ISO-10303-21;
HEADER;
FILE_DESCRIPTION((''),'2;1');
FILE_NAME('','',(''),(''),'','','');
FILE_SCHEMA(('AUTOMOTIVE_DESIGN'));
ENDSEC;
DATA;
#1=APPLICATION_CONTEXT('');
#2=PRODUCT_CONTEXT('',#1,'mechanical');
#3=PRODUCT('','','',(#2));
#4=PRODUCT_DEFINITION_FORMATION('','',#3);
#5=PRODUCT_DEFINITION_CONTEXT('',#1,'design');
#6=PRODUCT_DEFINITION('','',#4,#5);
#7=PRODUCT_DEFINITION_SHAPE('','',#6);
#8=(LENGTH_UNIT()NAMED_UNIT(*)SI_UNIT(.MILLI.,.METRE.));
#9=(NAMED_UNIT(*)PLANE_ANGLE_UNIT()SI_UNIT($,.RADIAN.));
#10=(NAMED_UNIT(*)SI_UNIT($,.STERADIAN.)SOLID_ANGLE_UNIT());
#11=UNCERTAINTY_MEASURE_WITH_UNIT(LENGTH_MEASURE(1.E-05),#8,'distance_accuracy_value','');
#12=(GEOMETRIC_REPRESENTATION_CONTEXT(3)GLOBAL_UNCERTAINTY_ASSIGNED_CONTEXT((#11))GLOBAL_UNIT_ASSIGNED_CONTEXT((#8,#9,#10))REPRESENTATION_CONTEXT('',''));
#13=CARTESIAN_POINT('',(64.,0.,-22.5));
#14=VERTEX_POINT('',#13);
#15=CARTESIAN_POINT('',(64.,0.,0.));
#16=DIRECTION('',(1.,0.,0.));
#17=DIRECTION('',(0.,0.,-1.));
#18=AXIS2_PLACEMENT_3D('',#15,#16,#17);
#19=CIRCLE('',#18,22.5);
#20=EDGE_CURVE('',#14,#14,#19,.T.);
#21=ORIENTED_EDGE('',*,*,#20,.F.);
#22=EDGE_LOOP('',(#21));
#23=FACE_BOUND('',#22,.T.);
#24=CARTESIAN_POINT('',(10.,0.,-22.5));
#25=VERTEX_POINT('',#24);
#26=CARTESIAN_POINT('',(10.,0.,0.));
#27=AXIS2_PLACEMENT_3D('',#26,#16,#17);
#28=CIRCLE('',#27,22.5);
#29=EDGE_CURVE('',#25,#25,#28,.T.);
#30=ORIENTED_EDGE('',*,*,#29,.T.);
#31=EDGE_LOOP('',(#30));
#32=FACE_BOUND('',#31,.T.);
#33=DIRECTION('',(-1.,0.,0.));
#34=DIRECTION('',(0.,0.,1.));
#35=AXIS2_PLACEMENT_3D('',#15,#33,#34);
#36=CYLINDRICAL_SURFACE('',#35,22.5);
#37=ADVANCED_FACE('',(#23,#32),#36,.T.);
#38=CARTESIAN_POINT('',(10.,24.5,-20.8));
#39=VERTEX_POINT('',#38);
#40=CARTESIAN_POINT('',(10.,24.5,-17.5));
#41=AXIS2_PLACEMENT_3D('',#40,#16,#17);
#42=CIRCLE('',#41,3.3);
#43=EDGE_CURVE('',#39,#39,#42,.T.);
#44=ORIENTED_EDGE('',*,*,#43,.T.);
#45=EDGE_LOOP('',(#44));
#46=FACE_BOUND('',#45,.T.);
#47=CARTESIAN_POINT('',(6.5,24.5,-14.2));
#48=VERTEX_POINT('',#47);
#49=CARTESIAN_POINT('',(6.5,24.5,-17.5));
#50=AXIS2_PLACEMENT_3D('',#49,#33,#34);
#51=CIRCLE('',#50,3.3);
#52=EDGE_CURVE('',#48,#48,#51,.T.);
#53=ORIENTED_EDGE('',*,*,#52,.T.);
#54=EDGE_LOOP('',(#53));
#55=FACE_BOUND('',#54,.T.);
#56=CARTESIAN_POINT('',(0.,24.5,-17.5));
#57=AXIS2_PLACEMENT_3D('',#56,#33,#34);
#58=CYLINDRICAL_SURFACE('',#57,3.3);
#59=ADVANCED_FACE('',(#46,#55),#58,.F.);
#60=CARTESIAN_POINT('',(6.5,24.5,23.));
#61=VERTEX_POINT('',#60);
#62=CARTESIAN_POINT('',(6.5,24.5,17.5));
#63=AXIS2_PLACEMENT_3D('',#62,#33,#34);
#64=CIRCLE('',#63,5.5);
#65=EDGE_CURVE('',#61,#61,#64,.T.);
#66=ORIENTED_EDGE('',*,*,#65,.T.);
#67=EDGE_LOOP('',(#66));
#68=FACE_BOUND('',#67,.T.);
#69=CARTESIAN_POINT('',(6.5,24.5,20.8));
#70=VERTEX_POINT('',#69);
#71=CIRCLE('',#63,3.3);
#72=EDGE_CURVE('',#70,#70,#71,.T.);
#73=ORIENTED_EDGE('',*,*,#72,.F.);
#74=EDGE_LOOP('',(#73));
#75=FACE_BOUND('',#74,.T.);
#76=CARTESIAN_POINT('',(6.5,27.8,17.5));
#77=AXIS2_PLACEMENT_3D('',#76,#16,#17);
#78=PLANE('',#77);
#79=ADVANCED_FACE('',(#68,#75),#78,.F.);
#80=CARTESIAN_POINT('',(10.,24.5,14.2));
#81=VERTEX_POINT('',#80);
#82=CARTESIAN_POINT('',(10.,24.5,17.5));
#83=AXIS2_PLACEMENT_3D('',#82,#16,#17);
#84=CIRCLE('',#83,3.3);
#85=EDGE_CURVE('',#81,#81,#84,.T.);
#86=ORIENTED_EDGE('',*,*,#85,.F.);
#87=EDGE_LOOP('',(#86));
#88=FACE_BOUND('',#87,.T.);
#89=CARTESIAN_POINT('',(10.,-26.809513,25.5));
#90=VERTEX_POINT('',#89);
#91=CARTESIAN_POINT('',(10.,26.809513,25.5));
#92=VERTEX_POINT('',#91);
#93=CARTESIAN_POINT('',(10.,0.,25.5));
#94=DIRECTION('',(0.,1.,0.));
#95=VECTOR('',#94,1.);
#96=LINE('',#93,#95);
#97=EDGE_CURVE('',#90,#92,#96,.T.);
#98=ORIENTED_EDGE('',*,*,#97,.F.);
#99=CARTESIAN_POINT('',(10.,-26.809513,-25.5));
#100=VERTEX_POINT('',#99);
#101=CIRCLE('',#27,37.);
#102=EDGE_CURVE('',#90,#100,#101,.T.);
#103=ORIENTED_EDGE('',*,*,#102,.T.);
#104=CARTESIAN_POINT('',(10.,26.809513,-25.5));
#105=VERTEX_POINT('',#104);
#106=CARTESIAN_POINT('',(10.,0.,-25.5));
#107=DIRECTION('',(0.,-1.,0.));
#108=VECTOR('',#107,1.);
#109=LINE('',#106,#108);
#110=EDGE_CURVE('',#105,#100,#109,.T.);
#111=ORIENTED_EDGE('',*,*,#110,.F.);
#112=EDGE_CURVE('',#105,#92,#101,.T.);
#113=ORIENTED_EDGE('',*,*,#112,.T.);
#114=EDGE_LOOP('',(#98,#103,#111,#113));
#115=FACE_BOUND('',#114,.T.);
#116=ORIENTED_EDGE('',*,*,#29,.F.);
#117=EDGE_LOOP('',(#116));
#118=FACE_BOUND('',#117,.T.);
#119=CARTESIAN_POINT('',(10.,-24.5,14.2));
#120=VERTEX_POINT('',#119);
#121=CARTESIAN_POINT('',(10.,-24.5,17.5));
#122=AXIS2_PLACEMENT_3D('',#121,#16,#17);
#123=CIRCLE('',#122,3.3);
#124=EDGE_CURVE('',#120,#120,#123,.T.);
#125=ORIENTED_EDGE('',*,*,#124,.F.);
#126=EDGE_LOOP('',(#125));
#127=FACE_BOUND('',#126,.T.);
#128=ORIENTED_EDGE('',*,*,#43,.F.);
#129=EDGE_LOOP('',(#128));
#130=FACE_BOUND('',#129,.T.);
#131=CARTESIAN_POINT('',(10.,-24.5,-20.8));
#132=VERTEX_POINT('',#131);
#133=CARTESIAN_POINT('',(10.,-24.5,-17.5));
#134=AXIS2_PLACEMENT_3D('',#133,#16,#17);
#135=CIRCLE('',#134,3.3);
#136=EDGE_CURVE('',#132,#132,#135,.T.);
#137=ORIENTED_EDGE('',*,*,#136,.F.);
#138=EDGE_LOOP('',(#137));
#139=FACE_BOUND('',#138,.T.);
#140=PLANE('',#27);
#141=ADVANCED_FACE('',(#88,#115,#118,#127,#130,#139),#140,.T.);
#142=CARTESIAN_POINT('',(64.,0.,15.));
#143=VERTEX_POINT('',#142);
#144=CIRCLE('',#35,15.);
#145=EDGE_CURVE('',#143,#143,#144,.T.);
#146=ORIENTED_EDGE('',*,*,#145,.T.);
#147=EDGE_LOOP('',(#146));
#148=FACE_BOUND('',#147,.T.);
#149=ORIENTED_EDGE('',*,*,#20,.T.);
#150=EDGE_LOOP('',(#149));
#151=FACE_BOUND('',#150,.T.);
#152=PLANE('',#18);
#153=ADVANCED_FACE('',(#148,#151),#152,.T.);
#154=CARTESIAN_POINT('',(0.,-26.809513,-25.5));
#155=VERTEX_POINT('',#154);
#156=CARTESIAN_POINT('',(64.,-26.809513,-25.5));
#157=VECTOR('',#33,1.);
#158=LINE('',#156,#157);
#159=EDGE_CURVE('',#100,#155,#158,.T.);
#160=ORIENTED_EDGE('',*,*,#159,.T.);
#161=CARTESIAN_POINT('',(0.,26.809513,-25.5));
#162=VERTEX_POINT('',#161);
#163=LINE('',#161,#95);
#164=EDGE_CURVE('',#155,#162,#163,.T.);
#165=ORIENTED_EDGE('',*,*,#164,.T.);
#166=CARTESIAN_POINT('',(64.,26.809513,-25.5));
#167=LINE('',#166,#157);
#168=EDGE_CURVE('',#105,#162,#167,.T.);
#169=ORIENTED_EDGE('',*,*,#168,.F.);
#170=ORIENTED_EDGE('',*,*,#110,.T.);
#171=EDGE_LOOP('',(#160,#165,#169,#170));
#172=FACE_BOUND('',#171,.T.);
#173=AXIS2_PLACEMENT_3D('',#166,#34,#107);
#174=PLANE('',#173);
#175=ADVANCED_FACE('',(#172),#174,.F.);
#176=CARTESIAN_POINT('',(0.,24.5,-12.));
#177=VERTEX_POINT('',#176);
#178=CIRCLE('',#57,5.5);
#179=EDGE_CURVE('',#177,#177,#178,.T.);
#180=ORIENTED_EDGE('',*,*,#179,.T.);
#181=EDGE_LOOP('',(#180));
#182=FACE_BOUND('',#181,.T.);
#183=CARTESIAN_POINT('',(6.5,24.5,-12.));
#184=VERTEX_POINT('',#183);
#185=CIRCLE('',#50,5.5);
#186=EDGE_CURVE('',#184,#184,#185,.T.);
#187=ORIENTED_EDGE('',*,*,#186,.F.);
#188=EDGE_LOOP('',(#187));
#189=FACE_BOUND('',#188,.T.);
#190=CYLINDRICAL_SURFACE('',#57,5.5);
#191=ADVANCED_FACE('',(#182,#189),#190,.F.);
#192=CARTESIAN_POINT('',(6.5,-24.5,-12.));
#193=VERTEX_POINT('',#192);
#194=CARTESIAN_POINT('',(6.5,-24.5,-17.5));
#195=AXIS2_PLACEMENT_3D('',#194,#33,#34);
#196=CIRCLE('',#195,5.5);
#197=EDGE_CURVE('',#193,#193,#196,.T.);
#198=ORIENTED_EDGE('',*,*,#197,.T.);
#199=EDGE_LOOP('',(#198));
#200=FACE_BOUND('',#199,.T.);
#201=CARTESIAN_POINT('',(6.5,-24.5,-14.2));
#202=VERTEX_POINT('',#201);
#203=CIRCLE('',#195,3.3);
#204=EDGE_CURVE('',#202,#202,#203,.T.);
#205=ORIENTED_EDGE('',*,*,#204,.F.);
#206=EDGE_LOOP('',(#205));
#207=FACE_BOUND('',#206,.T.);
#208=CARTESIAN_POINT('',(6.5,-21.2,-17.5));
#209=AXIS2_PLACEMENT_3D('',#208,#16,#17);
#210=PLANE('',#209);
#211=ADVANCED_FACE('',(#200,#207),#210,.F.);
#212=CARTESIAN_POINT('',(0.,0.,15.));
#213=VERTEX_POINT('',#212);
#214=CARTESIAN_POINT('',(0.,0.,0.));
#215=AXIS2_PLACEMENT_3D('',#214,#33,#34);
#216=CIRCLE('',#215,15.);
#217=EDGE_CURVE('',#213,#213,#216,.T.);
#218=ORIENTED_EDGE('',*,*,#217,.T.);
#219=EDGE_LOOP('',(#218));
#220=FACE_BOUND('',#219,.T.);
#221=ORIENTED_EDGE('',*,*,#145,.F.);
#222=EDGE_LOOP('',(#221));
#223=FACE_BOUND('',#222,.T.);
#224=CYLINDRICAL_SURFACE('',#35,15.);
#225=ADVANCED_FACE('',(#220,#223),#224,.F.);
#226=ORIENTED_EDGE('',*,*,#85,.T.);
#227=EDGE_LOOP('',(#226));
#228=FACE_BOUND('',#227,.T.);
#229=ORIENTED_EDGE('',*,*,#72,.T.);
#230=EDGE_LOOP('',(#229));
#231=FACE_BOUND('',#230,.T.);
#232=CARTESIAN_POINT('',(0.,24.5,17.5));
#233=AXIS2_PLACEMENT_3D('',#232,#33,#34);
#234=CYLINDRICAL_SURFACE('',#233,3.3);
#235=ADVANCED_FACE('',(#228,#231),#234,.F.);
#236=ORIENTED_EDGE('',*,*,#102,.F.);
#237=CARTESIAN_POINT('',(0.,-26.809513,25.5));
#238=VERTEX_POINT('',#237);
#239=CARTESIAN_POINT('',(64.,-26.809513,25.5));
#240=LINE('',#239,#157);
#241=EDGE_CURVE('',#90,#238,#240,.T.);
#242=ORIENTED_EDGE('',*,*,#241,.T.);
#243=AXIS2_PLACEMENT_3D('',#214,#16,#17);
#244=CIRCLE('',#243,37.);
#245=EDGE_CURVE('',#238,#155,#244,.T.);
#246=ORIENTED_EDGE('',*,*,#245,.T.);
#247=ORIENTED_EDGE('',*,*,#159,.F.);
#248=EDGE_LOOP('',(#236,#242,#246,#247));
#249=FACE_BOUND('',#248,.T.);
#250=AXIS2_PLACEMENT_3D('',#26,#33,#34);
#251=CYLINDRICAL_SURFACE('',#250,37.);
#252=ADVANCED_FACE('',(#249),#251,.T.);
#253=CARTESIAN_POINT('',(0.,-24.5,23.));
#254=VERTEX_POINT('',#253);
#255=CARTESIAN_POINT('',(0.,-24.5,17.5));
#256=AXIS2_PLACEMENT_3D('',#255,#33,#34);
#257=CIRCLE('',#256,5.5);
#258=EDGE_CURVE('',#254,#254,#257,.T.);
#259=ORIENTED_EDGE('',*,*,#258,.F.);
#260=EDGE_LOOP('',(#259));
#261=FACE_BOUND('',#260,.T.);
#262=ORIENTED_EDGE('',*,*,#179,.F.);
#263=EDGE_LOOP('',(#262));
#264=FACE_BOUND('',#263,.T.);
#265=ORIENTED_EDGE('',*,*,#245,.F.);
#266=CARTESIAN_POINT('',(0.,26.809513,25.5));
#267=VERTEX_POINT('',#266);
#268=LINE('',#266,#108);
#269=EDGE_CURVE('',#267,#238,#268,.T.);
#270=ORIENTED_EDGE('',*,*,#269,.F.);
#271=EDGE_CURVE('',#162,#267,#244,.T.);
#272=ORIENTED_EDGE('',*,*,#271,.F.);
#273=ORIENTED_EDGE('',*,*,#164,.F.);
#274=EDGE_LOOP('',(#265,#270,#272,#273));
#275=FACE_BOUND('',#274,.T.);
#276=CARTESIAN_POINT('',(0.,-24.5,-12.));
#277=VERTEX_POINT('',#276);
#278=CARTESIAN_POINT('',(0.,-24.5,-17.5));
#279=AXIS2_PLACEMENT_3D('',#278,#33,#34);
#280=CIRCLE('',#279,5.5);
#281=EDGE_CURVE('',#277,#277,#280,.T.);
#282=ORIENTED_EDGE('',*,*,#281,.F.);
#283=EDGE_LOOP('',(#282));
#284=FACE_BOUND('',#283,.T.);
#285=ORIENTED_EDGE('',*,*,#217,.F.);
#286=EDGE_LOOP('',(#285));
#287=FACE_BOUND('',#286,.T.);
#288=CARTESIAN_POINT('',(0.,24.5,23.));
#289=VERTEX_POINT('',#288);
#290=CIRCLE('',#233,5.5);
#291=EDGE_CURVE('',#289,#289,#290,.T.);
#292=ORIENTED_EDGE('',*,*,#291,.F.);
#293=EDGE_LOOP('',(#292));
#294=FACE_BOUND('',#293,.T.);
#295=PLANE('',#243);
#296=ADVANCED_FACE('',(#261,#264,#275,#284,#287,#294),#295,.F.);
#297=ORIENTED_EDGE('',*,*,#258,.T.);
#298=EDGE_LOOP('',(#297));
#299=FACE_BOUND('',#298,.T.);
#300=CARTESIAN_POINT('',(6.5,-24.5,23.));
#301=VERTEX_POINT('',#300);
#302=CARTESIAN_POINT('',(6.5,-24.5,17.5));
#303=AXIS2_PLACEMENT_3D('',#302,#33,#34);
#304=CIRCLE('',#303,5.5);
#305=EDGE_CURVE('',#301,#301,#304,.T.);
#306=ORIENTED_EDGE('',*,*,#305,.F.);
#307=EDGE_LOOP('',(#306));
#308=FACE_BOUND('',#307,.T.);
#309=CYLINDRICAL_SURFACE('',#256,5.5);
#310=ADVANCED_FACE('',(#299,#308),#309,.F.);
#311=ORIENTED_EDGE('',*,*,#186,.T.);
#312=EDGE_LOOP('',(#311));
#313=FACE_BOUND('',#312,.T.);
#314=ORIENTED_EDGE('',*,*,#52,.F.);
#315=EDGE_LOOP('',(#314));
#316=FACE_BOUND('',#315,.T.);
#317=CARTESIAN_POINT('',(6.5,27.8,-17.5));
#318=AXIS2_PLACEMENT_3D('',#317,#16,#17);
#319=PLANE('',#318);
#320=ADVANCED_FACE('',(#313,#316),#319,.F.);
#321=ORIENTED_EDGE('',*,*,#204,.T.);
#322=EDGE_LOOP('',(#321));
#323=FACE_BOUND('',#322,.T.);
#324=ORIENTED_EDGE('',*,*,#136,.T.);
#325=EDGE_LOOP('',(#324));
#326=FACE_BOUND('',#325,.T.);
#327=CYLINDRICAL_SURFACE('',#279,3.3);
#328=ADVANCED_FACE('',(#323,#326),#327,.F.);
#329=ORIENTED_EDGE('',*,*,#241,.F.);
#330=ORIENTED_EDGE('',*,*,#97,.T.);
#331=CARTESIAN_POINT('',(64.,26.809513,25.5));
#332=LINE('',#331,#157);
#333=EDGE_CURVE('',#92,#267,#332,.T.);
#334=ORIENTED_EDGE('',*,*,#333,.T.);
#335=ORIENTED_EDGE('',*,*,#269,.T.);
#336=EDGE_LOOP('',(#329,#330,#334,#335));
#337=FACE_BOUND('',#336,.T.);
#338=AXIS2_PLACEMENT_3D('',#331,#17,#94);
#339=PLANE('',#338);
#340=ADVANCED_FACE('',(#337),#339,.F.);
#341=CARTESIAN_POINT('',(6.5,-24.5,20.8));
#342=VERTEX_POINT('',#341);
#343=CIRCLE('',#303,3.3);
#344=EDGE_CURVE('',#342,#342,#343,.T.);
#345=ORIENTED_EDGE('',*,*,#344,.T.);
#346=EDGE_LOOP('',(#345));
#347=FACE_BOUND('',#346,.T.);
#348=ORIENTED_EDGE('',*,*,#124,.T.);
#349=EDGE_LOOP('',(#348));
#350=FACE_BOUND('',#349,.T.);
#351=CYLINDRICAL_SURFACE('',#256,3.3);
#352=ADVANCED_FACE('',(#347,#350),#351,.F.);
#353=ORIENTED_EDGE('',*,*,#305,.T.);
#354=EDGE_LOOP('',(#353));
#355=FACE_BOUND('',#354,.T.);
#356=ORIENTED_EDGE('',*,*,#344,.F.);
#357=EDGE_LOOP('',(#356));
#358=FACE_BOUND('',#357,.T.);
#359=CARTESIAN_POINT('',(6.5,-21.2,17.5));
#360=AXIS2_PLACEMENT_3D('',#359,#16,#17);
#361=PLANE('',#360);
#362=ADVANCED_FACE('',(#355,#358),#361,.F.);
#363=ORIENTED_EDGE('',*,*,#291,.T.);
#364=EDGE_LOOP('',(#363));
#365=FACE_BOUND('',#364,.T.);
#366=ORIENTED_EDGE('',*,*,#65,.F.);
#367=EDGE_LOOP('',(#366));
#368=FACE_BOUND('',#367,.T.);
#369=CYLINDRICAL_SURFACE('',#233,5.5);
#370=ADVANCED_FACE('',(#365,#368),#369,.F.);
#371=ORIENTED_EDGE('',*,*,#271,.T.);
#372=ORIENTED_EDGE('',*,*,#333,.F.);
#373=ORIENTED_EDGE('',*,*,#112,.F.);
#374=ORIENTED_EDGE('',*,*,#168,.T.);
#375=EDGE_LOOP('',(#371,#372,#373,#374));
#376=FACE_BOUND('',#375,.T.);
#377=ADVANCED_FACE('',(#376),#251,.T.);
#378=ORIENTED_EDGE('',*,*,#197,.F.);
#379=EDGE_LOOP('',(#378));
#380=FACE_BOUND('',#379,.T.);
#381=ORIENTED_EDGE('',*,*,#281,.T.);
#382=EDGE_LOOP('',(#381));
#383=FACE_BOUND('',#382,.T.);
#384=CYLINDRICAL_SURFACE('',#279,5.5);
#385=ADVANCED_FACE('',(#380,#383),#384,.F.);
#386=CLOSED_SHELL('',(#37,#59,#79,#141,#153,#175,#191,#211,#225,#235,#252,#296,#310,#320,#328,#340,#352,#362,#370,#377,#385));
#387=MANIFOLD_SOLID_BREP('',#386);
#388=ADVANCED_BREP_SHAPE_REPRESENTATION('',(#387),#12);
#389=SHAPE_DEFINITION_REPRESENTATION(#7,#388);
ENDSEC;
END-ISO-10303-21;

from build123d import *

# Parameters (mm, degrees)
SKETCH_1_R                   = 37
EXTRUDE_1_DEPTH              = 10
SKETCH_2_R                   = 22.5
EXTRUDE_2_DEPTH              = 54
SKETCH_3_R                   = 15
CUT_EXTRUDE_1_DEPTH          = 65
CUT_EXTRUDE_2_DEPTH          = 65
HOLE_WIZARD_M6_2_D           = 6.6
HOLE_WIZARD_M6_2_CBORE_D     = 11
HOLE_WIZARD_M6_2_CBORE_DEPTH = 6.5


with BuildPart() as part:
    # 草图1 → 凸台-拉伸1 (new body)
    with BuildSketch(Plane(origin=(0, 0, 0), x_dir=(0, 0, -1), z_dir=(1, 0, 0))):
        Circle(SKETCH_1_R)
    extrude(amount=EXTRUDE_1_DEPTH)

    # 草图2 → 凸台-拉伸2 (add)
    with BuildSketch(Plane(origin=(10, 0, 0), x_dir=(0, 0, -1), z_dir=(1, 0, 0))):
        Circle(SKETCH_2_R)
    extrude(amount=EXTRUDE_2_DEPTH)

    # 草图3 → 切除-拉伸1 (cut, through all)
    with BuildSketch(Plane.ZY):
        Circle(SKETCH_3_R)
    extrude(amount=-CUT_EXTRUDE_1_DEPTH, mode=Mode.SUBTRACT)

    # 草图6 → 切除-拉伸2 (cut, through all)
    with BuildSketch(Plane.ZY):
        with BuildLine():
            Line((-25.5, 26.809513237), (-25.5, -26.809513237))
            ThreePointArc((-25.5, -26.809513237), (-37, 0), (-25.5, 26.809513237))
        make_face()
        with BuildLine():
            Line((25.5, 26.809513237), (25.5, -26.809513237))
            ThreePointArc((25.5, -26.809513237), (37, 0), (25.5, 26.809513237))
        make_face()
    extrude(amount=-CUT_EXTRUDE_2_DEPTH, mode=Mode.SUBTRACT)

    # M6 六角头螺栓的柱形沉头孔2 (through all)
    with Locations(Plane.ZY):
        with Locations((-17.5, 24.5), (17.5, 24.5), (17.5, -24.5), (-17.5, -24.5)):
            CounterBoreHole(HOLE_WIZARD_M6_2_D / 2, HOLE_WIZARD_M6_2_CBORE_D / 2, HOLE_WIZARD_M6_2_CBORE_DEPTH)


solid = part.part
